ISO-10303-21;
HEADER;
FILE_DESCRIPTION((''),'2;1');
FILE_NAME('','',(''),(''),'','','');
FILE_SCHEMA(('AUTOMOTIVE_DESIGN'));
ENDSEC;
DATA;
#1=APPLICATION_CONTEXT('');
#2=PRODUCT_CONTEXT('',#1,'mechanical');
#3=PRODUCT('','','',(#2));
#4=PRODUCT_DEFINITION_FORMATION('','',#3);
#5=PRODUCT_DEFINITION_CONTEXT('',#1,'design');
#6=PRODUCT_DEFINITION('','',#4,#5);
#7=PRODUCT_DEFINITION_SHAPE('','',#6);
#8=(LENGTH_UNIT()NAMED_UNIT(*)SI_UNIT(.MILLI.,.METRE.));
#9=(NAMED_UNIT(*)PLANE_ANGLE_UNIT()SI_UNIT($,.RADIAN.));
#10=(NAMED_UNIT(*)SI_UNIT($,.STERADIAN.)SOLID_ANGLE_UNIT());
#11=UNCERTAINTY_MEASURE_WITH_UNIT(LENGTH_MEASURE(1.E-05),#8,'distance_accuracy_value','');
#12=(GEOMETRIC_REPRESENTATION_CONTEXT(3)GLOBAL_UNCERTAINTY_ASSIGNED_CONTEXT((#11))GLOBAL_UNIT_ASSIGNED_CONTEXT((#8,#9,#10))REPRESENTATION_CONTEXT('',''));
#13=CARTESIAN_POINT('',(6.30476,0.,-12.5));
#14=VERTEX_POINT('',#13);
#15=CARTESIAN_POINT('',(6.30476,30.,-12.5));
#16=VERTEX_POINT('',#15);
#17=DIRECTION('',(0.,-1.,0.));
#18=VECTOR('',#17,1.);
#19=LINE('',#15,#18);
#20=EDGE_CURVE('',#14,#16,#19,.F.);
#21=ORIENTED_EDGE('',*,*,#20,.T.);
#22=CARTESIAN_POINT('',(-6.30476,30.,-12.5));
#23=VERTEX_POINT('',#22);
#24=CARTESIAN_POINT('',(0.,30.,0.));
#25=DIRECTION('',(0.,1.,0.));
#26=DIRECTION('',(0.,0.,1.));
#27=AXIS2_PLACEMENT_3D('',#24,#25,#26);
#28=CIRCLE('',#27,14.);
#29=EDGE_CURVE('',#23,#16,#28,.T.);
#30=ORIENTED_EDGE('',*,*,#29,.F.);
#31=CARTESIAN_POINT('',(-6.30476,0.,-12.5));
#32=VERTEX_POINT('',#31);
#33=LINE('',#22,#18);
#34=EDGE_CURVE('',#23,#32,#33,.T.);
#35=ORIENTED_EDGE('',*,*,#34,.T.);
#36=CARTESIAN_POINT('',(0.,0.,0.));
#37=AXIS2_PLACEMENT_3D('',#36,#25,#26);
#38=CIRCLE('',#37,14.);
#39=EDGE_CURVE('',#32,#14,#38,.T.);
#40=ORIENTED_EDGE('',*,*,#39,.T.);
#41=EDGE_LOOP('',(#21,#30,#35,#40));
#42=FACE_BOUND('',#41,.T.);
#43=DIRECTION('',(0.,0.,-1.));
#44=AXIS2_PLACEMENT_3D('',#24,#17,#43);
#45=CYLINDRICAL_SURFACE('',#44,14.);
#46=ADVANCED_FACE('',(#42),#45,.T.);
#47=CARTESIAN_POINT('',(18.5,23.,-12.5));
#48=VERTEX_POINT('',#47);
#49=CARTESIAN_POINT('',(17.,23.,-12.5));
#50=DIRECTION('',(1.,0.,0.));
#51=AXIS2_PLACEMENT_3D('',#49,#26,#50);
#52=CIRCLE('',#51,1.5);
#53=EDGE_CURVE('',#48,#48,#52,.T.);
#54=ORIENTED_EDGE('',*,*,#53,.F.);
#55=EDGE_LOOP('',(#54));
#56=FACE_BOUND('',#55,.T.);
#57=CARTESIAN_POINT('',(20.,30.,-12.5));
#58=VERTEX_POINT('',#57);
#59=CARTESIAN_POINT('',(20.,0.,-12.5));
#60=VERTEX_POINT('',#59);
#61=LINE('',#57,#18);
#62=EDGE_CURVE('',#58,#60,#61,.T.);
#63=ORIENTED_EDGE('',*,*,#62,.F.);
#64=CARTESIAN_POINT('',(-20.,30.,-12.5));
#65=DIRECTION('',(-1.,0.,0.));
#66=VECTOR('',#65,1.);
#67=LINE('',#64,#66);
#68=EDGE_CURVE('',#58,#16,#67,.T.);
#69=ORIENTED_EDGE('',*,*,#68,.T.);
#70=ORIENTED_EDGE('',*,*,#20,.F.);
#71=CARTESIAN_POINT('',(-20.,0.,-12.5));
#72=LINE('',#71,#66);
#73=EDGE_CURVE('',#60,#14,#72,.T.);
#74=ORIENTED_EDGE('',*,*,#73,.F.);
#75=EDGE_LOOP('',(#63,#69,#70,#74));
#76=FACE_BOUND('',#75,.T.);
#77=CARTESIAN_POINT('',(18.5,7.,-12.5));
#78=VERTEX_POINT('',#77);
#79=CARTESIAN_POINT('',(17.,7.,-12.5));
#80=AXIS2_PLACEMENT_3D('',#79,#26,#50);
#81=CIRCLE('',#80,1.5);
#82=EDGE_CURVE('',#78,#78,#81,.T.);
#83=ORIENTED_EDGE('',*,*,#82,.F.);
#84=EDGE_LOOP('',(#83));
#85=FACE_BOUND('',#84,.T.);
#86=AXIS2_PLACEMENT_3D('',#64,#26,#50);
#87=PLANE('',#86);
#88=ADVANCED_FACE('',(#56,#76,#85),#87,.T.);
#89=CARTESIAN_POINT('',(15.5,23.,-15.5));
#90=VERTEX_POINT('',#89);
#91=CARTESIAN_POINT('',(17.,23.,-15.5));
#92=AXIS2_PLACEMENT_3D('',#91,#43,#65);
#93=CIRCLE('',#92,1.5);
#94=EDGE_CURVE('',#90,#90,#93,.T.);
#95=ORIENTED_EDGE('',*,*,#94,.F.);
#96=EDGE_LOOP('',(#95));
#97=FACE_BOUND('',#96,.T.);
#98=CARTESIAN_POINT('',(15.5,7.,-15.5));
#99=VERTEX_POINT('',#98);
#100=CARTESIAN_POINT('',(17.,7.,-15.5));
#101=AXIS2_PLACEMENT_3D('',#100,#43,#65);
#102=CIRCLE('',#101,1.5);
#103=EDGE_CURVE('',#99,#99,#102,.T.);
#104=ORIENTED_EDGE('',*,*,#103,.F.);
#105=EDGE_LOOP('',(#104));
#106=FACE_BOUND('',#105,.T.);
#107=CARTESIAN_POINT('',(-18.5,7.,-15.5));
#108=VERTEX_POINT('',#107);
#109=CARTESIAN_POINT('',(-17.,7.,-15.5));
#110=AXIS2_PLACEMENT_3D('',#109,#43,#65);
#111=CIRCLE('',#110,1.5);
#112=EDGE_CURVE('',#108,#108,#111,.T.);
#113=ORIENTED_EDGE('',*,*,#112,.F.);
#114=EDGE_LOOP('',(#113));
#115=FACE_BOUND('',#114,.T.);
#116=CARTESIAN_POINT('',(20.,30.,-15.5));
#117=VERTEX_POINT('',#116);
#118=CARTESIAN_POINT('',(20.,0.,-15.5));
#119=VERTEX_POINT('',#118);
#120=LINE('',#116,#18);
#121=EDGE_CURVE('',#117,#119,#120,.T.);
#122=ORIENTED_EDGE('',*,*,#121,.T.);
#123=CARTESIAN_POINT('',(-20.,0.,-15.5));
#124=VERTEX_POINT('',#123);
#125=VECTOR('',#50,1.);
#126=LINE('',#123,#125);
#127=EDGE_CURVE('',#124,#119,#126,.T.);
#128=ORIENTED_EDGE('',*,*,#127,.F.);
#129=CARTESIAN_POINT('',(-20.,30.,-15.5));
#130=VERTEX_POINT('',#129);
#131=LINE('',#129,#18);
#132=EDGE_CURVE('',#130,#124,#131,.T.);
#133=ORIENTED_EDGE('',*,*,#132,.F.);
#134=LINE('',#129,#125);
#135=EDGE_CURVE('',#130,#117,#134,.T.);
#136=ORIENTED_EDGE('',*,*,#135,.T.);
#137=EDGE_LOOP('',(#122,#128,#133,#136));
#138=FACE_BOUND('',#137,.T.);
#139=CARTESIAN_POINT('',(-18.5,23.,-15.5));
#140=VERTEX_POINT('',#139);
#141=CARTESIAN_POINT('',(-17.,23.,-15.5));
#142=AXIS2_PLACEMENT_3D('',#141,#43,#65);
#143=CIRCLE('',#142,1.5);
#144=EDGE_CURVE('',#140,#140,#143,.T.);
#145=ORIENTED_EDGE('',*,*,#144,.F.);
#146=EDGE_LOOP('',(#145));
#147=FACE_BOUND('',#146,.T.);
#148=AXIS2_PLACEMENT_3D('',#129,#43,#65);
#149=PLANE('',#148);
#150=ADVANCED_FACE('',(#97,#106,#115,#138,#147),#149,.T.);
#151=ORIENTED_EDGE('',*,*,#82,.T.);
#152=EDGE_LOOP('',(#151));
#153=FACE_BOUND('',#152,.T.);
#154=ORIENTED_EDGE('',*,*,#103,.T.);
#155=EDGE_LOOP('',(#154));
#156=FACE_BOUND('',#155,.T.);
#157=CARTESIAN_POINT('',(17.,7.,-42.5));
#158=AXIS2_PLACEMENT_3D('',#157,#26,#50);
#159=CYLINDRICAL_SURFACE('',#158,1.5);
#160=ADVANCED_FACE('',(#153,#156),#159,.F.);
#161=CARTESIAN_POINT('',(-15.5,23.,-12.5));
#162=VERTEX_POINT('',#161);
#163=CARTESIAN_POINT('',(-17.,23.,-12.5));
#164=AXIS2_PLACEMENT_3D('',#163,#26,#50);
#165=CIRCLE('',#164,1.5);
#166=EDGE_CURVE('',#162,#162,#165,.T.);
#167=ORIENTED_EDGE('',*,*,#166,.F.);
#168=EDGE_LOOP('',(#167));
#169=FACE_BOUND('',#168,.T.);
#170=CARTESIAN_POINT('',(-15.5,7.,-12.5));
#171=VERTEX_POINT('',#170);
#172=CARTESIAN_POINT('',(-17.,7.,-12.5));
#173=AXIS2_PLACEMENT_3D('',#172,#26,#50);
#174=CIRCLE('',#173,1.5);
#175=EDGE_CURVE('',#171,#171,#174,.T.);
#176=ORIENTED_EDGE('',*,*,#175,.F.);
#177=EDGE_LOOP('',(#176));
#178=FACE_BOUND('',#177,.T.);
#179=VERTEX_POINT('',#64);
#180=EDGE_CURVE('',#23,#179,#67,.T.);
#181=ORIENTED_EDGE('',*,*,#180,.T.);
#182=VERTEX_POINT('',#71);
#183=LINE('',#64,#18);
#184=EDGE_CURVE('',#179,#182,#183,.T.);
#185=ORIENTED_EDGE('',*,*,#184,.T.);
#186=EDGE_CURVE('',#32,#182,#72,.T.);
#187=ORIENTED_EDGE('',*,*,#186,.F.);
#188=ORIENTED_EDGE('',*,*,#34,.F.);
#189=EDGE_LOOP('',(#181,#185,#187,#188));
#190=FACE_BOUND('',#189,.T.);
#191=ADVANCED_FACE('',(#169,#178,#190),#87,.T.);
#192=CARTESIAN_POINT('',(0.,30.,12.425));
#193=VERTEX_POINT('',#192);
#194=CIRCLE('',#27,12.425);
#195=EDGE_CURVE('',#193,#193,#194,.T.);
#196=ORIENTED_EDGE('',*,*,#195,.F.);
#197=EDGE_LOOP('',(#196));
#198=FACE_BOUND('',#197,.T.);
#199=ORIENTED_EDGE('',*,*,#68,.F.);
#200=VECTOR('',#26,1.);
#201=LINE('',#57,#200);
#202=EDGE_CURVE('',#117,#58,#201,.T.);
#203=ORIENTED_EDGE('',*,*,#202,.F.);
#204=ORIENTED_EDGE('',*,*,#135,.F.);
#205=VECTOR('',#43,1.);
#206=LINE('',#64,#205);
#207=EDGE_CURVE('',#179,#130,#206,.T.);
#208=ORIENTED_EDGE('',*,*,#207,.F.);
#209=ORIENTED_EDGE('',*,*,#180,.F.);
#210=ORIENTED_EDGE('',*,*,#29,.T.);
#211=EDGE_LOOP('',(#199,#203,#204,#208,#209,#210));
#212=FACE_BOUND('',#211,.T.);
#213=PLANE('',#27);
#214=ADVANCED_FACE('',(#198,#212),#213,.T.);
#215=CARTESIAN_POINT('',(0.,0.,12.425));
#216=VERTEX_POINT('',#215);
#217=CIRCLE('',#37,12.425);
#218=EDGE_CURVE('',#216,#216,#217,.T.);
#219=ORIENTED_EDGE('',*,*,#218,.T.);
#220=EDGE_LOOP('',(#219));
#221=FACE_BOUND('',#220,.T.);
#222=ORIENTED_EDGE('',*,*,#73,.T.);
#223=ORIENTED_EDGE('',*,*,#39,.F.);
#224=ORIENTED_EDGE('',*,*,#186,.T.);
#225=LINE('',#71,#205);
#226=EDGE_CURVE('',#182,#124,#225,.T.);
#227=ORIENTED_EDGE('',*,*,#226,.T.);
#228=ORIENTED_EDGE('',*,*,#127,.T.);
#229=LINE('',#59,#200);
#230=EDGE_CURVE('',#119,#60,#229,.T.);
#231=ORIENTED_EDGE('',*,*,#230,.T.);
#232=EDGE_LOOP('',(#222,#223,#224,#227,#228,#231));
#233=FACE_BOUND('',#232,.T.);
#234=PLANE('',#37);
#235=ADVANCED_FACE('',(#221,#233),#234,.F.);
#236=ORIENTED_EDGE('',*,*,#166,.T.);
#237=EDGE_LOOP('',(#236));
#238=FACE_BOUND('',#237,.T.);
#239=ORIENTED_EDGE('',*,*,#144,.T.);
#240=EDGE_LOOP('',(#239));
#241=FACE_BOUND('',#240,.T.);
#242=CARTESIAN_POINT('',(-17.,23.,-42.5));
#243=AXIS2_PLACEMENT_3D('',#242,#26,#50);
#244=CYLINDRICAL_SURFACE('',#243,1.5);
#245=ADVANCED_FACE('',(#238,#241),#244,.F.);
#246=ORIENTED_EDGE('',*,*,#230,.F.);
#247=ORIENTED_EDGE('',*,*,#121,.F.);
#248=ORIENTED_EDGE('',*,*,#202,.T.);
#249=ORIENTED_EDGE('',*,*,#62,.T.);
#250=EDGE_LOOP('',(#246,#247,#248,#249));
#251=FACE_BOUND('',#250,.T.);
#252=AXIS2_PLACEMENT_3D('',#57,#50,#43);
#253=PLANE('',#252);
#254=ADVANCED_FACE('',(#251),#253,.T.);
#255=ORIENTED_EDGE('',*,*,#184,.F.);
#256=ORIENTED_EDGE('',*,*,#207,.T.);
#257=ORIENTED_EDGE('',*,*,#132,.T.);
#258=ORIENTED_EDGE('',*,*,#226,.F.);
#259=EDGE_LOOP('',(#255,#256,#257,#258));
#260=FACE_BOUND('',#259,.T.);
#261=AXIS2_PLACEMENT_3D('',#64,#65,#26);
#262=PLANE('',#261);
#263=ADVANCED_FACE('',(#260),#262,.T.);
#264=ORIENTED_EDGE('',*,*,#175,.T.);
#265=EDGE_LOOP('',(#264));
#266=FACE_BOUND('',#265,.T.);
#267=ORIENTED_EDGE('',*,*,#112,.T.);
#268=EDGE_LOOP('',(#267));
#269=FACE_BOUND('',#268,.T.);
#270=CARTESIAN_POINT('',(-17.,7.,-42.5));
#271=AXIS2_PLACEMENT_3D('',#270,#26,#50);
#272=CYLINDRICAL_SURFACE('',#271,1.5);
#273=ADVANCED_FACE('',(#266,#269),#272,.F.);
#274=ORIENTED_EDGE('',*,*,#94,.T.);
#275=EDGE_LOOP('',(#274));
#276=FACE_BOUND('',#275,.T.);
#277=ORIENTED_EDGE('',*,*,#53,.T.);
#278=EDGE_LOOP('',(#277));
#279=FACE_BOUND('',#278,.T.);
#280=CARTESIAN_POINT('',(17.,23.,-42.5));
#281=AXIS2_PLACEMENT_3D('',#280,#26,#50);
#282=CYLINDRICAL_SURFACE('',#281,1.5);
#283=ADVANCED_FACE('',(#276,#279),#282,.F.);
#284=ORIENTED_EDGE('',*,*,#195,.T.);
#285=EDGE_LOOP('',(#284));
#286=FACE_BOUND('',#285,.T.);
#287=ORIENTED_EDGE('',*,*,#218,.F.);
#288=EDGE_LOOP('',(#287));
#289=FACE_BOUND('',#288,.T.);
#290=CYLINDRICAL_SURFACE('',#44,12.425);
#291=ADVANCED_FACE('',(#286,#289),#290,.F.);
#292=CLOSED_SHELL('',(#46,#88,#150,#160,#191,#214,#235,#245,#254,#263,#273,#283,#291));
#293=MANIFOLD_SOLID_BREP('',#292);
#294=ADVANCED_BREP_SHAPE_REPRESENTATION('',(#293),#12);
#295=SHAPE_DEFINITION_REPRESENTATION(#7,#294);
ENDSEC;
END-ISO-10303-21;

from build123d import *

# Parameters (mm, degrees)
SKETCH1_R           = 14
SKETCH1_R_2         = 12.425
BOSS_EXTRUDE1_DEPTH = 30
SKETCH2_W           = 40
SKETCH2_H           = 3
BOSS_EXTRUDE2_DEPTH = 30
SKETCH3_R           = 1.5
CUT_EXTRUDE1_DEPTH  = 30


with BuildPart() as part:
    # Sketch1 → Boss-Extrude1 (new body)
    with BuildSketch(Plane(origin=(0, 0, 0), x_dir=(1, 0, 0), z_dir=(0, 1, 0))):
        with Locations(Location((0, 0, 0), (0, 0, 270))):
            Circle(SKETCH1_R)
        with Locations(Location((0, 0, 0), (0, 0, 270))):
            Circle(SKETCH1_R_2, mode=Mode.SUBTRACT)
    extrude(amount=BOSS_EXTRUDE1_DEPTH)

    # Sketch2 → Boss-Extrude2 (add)
    with BuildSketch(Plane.XZ):
        with Locations((0, -14)):
            Rectangle(SKETCH2_W, SKETCH2_H)
    extrude(amount=-BOSS_EXTRUDE2_DEPTH)

    # Sketch3 → Cut-Extrude1 (cut)
    with BuildSketch(Plane.XY.offset(-12.5)):
        with Locations((17, 23)):
            Circle(SKETCH3_R)
        with Locations((-17, 23)):
            Circle(SKETCH3_R)
        with Locations((17, 7)):
            Circle(SKETCH3_R)
        with Locations((-17, 7)):
            Circle(SKETCH3_R)
    extrude(amount=-CUT_EXTRUDE1_DEPTH, mode=Mode.SUBTRACT)


solid = part.part
